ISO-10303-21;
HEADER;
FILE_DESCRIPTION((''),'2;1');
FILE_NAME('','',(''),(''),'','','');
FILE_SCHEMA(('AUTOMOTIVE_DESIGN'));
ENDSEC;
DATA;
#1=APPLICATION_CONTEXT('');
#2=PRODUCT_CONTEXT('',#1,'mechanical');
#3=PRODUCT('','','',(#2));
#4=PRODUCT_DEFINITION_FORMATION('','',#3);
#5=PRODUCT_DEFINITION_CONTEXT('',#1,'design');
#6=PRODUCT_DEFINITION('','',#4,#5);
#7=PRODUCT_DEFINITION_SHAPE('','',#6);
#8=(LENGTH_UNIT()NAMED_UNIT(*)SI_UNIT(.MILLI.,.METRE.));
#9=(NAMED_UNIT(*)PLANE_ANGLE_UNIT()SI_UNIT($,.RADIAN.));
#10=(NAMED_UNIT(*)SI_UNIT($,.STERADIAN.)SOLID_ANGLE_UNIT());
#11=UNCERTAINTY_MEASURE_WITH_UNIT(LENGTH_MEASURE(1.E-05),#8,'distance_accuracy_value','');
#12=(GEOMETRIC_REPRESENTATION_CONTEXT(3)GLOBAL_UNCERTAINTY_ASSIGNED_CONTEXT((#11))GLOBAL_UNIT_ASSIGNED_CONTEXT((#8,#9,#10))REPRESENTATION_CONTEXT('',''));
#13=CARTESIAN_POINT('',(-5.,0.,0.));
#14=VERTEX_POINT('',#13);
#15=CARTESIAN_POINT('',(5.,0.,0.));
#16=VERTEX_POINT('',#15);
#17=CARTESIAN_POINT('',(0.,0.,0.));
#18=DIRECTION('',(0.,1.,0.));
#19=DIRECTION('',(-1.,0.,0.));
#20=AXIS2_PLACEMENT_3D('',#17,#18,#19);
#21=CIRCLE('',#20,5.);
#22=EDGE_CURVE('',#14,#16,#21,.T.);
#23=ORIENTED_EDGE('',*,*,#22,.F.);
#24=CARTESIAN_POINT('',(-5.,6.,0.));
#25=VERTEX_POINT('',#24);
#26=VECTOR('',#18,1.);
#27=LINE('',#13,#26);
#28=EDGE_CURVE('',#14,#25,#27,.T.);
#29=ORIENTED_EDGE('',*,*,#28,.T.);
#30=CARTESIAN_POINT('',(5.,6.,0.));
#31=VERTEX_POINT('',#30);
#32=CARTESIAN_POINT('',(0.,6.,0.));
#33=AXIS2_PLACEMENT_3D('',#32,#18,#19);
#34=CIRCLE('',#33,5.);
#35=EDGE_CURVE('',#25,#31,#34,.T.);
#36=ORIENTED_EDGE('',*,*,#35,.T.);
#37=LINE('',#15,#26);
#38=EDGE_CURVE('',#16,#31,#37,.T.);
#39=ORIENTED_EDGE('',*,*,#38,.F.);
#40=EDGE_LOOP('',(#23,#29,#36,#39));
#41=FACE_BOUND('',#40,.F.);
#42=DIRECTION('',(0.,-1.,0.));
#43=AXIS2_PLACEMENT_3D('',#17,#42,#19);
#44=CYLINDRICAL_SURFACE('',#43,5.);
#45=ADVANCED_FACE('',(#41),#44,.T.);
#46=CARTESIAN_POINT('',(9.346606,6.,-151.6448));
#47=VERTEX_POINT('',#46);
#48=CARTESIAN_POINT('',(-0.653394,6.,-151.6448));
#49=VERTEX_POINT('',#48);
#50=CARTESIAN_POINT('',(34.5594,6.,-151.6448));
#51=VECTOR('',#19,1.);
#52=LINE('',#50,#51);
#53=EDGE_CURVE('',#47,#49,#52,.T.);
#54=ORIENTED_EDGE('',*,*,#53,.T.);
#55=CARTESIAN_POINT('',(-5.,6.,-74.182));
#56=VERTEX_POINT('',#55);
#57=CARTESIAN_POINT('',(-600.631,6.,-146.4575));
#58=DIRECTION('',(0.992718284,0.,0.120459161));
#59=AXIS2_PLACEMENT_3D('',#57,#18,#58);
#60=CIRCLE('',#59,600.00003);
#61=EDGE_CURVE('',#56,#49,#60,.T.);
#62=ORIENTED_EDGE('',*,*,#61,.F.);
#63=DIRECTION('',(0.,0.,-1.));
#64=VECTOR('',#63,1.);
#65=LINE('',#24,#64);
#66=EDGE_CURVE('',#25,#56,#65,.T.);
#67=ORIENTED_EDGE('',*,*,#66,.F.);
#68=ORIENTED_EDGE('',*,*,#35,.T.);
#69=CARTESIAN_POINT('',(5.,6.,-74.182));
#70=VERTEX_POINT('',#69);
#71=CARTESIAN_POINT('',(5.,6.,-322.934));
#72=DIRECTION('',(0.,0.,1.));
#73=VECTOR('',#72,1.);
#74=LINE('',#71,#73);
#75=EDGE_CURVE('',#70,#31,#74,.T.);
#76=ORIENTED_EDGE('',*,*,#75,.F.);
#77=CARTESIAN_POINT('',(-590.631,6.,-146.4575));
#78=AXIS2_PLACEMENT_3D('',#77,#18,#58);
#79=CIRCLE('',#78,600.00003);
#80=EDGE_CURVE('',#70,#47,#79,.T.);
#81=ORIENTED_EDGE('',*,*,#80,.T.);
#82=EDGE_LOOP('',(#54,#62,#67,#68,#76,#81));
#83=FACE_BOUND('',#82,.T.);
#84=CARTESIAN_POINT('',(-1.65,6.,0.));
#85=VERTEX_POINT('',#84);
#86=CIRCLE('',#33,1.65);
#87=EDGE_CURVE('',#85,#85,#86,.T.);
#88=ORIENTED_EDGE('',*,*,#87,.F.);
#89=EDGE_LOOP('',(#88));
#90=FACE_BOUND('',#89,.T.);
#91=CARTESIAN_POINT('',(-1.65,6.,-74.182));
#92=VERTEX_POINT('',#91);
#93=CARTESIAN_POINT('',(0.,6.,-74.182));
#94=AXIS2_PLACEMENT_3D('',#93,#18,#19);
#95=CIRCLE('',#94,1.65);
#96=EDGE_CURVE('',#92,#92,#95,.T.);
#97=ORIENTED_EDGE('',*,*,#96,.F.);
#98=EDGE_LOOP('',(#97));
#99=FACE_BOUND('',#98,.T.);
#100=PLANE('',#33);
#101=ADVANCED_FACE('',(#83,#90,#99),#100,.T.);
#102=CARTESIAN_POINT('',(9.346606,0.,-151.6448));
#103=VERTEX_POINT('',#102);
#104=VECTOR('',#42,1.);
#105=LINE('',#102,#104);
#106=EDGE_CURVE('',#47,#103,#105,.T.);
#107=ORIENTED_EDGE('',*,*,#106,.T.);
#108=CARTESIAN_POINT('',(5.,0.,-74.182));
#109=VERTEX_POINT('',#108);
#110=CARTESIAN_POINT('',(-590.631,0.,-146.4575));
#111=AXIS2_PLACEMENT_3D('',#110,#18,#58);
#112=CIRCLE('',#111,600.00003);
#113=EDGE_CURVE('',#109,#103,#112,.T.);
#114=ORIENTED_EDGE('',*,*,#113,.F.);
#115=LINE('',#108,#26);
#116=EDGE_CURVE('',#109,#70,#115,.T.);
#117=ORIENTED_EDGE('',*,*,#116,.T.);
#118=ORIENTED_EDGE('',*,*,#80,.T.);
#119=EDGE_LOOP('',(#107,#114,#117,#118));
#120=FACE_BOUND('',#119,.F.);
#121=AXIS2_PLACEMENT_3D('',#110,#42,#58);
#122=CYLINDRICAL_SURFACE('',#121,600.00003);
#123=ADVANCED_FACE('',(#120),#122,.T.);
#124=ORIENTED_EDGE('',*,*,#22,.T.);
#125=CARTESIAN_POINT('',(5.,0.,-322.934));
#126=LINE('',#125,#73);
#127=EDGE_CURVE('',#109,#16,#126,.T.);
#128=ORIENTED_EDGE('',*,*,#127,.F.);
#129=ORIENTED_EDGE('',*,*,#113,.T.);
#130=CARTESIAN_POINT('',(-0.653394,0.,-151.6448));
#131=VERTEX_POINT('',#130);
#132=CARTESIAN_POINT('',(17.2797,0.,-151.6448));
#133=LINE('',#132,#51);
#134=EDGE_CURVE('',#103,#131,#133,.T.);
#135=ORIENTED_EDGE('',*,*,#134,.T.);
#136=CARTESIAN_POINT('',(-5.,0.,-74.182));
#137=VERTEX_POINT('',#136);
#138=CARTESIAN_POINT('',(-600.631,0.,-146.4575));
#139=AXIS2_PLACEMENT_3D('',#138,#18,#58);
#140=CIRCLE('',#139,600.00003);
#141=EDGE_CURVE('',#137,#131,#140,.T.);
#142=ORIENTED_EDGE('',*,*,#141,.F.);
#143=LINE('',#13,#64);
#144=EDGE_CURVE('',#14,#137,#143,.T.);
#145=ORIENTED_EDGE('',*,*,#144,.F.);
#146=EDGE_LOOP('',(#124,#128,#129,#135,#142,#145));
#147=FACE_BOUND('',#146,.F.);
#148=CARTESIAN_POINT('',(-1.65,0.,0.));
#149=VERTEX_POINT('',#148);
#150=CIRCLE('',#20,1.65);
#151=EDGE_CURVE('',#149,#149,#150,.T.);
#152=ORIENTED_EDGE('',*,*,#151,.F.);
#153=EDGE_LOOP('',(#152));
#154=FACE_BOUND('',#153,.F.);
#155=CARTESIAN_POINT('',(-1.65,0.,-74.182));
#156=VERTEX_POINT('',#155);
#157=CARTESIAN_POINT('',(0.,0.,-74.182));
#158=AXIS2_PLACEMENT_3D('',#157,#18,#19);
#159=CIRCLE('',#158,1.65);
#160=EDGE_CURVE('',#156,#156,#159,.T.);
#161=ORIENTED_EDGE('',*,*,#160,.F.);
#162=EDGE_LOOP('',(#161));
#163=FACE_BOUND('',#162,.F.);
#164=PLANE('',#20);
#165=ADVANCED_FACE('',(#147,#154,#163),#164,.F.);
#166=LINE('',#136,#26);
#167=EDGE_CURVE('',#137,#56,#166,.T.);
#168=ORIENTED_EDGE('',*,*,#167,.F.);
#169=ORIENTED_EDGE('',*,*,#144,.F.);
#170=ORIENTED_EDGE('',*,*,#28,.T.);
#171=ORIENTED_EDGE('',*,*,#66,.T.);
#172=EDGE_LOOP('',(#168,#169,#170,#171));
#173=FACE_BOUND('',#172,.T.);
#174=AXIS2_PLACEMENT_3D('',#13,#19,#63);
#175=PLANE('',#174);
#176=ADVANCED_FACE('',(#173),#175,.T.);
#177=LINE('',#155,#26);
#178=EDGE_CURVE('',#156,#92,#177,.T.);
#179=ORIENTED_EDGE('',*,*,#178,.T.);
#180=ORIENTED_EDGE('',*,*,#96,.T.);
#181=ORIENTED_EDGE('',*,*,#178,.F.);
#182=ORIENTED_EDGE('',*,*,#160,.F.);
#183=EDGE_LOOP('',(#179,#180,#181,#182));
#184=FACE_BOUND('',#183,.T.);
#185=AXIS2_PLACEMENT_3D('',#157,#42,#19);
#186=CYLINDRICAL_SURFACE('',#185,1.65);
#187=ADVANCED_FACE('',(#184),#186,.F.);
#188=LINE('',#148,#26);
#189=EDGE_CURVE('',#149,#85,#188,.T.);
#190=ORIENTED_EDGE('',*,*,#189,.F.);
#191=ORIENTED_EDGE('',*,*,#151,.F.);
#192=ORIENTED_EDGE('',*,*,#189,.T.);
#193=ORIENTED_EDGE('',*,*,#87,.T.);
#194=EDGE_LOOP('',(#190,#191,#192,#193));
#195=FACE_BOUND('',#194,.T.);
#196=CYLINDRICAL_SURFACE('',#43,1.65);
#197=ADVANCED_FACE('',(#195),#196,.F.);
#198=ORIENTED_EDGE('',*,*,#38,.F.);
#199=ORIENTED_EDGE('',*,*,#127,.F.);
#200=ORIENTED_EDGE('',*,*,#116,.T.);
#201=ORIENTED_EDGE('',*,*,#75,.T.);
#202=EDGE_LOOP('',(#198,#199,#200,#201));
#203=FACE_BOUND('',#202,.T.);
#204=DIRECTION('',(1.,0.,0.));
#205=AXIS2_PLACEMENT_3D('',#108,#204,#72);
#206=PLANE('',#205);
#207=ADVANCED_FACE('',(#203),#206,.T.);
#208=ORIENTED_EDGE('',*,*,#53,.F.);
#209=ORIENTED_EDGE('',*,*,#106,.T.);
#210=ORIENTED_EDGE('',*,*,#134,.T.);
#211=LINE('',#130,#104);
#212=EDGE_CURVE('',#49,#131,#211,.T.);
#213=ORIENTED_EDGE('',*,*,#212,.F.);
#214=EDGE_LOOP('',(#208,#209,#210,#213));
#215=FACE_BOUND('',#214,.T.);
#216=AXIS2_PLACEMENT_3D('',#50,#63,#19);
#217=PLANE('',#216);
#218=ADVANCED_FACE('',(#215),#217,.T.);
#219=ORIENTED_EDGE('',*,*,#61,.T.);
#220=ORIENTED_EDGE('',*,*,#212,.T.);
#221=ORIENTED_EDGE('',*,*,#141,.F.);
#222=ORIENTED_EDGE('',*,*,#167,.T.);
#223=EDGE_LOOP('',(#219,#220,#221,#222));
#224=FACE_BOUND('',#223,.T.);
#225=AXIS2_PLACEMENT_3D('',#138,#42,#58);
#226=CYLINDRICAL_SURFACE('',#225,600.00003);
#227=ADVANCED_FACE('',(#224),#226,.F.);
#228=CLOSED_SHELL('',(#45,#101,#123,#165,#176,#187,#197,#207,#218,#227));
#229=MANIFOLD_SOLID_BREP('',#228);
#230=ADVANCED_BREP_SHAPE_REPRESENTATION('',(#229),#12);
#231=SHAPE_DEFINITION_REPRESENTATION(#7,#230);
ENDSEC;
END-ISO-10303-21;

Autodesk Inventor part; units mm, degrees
ref_plane "YZ Plane" through (0, 0, 0) normal (1, 0, 0) x (0, 1, 0)
ref_plane "XZ Plane" through (0, 0, 0) normal (0, 1, 0) x (-1, 0, 0)
ref_plane "XY Plane" through (0, 0, 0) normal (0, 0, 1) x (1, 0, 0)
sketch "Sketch1" plane through (0, 0, 0) normal (0, 1, 0) x (-1, 0, 0)
  line L0 (0, 0) -> (0, -322.934) construction
  line L1 (5, 0) -> (5, -322.934)
  line L2 (-5, -322.934) -> (-5, 0)
  arc A0 (5, 0) -> (-5, 0) centre (0, 0) ccw
  arc A1 (-5, -322.934) -> (5, -322.934) centre (0, -322.934) ccw
  circle A2 centre (0, 0) radius 1.65
  circle A3 centre (0, -322.934) radius 1.65
  circle A4 centre (0, -74.182) radius 1.65
  circle A5 centre (0, -218.733) radius 1.65
  arc A6 (5, -74.182) -> (5, -218.733) centre (600.631, -146.4575) ccw
  arc A7 (-5, -74.182) -> (-5, -218.733) centre (590.631, -146.4575) ccw
  point P0 (0, -161.467)
  dimension "d0" = 3.3
  dimension "d1" = 3.3
  dimension "d2" = 10
  dimension "d3" = 322.934
  dimension "d4" = 3.3
  dimension "d5" = 74.182
  dimension "d8" = 3.3
  dimension "d9" = 218.733
  dimension "d12" = 600
  dimension "d13" = 600
extrude "Extrusion1" add sketch "Sketch1" along normal blind 6 contours L1 A6 A1 L2 A0 | L2 A7
sketch "Sketch2" plane through (0, 6, 0) normal (0, 1, 0) x (1, 0, 0)
  line L0 (-80.742, 377.6004) -> (86.5972, 377.6004)
  line L1 (86.5972, 377.6004) -> (86.5972, -99.7148)
  line L2 (86.5972, -99.7148) -> (-80.742, -99.7148)
  line L3 (-80.742, -99.7148) -> (-80.742, 377.6004)
  line L4 (-25.6776, 342.7032) -> (34.5594, 342.7032)
  line L5 (34.5594, 342.7032) -> (34.5594, 151.6448)
  line L6 (34.5594, 151.6448) -> (-25.6776, 151.6448)
  line L7 (-25.6776, 151.6448) -> (-25.6776, 342.7032)
  point P0 (0, 0)
extrude "Extrusion2" cut sketch "Sketch2" against normal blind 100 contours L4 L5 L6 L7
properties part number "Part_3_p1"
